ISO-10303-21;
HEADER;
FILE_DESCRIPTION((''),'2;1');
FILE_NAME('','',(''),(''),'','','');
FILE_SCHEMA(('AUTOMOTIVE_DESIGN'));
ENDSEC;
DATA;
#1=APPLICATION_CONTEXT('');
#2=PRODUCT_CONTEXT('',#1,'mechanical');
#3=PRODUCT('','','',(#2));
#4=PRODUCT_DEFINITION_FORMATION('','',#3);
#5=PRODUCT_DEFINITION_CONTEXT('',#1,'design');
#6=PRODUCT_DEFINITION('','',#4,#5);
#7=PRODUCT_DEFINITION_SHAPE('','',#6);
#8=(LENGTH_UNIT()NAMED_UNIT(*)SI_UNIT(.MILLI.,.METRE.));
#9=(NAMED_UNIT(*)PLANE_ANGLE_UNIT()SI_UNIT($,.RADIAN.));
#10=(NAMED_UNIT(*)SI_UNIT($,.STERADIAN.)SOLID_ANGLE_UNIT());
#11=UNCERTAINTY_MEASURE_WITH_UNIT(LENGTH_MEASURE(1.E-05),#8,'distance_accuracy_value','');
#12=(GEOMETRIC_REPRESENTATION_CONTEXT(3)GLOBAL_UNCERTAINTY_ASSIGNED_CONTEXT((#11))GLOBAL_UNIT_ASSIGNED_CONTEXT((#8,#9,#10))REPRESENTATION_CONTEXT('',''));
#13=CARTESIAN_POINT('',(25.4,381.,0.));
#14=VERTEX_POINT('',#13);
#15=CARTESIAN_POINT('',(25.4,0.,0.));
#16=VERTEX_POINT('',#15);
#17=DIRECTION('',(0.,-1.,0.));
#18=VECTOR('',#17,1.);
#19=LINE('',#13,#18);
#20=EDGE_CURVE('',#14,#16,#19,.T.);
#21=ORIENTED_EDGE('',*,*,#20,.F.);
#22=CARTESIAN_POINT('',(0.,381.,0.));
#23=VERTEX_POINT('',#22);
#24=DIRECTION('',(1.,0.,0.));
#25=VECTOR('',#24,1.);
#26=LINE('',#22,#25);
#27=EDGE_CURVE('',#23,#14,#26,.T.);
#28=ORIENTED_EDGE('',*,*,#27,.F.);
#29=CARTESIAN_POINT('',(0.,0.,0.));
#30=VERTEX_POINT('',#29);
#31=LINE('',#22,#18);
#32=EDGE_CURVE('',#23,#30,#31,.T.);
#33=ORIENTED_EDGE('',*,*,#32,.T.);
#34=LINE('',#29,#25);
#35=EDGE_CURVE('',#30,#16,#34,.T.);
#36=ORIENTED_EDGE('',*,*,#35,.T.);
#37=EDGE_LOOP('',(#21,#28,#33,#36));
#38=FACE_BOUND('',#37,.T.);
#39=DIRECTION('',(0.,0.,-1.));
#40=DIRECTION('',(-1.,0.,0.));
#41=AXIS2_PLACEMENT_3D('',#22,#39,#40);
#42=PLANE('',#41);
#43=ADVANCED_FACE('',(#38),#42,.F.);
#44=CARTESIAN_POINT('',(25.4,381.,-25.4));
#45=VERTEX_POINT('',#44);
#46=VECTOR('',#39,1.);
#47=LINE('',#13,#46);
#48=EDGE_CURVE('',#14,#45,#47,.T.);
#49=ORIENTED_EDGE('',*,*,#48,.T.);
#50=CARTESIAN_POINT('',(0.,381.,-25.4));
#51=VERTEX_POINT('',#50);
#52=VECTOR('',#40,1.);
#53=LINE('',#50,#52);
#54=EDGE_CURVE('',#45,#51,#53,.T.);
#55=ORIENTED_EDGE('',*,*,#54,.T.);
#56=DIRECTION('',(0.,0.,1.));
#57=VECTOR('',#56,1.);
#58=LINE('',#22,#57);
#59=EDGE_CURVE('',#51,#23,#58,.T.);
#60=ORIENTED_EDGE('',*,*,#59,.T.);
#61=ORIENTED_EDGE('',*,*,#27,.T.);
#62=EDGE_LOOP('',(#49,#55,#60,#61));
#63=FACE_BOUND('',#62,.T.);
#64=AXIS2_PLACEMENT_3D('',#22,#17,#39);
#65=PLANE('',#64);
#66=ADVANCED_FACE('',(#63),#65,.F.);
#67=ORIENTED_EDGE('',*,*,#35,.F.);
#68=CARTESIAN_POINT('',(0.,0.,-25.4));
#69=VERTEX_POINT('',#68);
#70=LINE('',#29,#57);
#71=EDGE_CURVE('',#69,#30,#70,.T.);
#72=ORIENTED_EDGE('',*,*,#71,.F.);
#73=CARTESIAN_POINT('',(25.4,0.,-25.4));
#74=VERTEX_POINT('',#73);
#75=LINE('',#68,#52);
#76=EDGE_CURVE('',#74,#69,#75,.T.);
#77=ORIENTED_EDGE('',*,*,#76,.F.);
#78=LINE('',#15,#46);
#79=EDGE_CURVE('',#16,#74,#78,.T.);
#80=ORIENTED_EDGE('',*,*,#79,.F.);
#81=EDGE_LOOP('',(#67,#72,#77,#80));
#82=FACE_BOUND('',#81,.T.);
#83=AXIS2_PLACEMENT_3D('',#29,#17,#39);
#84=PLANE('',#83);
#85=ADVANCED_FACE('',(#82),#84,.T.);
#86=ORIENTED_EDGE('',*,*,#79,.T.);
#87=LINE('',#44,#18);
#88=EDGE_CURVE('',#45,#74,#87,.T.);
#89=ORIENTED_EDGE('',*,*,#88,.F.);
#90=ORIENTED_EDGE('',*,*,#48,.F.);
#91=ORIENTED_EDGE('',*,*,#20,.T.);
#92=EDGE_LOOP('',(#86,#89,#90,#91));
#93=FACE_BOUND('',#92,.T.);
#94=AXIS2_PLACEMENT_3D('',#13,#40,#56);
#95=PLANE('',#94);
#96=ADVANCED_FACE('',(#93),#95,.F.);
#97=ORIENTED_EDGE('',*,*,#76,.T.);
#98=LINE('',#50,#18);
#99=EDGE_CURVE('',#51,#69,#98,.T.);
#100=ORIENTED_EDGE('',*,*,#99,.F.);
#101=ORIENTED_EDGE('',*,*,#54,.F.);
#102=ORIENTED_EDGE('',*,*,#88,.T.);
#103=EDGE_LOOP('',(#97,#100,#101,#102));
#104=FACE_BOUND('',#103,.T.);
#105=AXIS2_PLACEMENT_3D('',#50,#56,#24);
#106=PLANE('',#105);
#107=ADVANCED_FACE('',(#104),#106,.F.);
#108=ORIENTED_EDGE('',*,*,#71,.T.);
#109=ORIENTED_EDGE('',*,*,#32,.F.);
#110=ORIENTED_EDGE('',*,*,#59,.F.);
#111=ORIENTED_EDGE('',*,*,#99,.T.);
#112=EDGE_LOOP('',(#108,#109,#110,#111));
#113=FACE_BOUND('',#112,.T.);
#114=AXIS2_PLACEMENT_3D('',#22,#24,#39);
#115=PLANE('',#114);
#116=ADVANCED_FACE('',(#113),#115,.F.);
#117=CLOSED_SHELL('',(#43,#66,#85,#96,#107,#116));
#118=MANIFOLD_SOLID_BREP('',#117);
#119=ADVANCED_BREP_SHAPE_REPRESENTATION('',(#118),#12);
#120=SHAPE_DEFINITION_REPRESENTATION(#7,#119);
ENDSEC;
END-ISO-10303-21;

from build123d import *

# Parameters (mm, degrees)
SKETCH1_W           = 25.4
SKETCH1_H           = 25.4
BOSS_EXTRUDE1_DEPTH = 381


with BuildPart() as part:
    # Sketch1 → Boss-Extrude1 (new body)
    with BuildSketch(Plane(origin=(0, 0, 0), x_dir=(1, 0, 0), z_dir=(0, 1, 0))):
        with Locations((12.7, 12.7)):
            Rectangle(SKETCH1_W, SKETCH1_H)
    extrude(amount=BOSS_EXTRUDE1_DEPTH)


solid = part.part
